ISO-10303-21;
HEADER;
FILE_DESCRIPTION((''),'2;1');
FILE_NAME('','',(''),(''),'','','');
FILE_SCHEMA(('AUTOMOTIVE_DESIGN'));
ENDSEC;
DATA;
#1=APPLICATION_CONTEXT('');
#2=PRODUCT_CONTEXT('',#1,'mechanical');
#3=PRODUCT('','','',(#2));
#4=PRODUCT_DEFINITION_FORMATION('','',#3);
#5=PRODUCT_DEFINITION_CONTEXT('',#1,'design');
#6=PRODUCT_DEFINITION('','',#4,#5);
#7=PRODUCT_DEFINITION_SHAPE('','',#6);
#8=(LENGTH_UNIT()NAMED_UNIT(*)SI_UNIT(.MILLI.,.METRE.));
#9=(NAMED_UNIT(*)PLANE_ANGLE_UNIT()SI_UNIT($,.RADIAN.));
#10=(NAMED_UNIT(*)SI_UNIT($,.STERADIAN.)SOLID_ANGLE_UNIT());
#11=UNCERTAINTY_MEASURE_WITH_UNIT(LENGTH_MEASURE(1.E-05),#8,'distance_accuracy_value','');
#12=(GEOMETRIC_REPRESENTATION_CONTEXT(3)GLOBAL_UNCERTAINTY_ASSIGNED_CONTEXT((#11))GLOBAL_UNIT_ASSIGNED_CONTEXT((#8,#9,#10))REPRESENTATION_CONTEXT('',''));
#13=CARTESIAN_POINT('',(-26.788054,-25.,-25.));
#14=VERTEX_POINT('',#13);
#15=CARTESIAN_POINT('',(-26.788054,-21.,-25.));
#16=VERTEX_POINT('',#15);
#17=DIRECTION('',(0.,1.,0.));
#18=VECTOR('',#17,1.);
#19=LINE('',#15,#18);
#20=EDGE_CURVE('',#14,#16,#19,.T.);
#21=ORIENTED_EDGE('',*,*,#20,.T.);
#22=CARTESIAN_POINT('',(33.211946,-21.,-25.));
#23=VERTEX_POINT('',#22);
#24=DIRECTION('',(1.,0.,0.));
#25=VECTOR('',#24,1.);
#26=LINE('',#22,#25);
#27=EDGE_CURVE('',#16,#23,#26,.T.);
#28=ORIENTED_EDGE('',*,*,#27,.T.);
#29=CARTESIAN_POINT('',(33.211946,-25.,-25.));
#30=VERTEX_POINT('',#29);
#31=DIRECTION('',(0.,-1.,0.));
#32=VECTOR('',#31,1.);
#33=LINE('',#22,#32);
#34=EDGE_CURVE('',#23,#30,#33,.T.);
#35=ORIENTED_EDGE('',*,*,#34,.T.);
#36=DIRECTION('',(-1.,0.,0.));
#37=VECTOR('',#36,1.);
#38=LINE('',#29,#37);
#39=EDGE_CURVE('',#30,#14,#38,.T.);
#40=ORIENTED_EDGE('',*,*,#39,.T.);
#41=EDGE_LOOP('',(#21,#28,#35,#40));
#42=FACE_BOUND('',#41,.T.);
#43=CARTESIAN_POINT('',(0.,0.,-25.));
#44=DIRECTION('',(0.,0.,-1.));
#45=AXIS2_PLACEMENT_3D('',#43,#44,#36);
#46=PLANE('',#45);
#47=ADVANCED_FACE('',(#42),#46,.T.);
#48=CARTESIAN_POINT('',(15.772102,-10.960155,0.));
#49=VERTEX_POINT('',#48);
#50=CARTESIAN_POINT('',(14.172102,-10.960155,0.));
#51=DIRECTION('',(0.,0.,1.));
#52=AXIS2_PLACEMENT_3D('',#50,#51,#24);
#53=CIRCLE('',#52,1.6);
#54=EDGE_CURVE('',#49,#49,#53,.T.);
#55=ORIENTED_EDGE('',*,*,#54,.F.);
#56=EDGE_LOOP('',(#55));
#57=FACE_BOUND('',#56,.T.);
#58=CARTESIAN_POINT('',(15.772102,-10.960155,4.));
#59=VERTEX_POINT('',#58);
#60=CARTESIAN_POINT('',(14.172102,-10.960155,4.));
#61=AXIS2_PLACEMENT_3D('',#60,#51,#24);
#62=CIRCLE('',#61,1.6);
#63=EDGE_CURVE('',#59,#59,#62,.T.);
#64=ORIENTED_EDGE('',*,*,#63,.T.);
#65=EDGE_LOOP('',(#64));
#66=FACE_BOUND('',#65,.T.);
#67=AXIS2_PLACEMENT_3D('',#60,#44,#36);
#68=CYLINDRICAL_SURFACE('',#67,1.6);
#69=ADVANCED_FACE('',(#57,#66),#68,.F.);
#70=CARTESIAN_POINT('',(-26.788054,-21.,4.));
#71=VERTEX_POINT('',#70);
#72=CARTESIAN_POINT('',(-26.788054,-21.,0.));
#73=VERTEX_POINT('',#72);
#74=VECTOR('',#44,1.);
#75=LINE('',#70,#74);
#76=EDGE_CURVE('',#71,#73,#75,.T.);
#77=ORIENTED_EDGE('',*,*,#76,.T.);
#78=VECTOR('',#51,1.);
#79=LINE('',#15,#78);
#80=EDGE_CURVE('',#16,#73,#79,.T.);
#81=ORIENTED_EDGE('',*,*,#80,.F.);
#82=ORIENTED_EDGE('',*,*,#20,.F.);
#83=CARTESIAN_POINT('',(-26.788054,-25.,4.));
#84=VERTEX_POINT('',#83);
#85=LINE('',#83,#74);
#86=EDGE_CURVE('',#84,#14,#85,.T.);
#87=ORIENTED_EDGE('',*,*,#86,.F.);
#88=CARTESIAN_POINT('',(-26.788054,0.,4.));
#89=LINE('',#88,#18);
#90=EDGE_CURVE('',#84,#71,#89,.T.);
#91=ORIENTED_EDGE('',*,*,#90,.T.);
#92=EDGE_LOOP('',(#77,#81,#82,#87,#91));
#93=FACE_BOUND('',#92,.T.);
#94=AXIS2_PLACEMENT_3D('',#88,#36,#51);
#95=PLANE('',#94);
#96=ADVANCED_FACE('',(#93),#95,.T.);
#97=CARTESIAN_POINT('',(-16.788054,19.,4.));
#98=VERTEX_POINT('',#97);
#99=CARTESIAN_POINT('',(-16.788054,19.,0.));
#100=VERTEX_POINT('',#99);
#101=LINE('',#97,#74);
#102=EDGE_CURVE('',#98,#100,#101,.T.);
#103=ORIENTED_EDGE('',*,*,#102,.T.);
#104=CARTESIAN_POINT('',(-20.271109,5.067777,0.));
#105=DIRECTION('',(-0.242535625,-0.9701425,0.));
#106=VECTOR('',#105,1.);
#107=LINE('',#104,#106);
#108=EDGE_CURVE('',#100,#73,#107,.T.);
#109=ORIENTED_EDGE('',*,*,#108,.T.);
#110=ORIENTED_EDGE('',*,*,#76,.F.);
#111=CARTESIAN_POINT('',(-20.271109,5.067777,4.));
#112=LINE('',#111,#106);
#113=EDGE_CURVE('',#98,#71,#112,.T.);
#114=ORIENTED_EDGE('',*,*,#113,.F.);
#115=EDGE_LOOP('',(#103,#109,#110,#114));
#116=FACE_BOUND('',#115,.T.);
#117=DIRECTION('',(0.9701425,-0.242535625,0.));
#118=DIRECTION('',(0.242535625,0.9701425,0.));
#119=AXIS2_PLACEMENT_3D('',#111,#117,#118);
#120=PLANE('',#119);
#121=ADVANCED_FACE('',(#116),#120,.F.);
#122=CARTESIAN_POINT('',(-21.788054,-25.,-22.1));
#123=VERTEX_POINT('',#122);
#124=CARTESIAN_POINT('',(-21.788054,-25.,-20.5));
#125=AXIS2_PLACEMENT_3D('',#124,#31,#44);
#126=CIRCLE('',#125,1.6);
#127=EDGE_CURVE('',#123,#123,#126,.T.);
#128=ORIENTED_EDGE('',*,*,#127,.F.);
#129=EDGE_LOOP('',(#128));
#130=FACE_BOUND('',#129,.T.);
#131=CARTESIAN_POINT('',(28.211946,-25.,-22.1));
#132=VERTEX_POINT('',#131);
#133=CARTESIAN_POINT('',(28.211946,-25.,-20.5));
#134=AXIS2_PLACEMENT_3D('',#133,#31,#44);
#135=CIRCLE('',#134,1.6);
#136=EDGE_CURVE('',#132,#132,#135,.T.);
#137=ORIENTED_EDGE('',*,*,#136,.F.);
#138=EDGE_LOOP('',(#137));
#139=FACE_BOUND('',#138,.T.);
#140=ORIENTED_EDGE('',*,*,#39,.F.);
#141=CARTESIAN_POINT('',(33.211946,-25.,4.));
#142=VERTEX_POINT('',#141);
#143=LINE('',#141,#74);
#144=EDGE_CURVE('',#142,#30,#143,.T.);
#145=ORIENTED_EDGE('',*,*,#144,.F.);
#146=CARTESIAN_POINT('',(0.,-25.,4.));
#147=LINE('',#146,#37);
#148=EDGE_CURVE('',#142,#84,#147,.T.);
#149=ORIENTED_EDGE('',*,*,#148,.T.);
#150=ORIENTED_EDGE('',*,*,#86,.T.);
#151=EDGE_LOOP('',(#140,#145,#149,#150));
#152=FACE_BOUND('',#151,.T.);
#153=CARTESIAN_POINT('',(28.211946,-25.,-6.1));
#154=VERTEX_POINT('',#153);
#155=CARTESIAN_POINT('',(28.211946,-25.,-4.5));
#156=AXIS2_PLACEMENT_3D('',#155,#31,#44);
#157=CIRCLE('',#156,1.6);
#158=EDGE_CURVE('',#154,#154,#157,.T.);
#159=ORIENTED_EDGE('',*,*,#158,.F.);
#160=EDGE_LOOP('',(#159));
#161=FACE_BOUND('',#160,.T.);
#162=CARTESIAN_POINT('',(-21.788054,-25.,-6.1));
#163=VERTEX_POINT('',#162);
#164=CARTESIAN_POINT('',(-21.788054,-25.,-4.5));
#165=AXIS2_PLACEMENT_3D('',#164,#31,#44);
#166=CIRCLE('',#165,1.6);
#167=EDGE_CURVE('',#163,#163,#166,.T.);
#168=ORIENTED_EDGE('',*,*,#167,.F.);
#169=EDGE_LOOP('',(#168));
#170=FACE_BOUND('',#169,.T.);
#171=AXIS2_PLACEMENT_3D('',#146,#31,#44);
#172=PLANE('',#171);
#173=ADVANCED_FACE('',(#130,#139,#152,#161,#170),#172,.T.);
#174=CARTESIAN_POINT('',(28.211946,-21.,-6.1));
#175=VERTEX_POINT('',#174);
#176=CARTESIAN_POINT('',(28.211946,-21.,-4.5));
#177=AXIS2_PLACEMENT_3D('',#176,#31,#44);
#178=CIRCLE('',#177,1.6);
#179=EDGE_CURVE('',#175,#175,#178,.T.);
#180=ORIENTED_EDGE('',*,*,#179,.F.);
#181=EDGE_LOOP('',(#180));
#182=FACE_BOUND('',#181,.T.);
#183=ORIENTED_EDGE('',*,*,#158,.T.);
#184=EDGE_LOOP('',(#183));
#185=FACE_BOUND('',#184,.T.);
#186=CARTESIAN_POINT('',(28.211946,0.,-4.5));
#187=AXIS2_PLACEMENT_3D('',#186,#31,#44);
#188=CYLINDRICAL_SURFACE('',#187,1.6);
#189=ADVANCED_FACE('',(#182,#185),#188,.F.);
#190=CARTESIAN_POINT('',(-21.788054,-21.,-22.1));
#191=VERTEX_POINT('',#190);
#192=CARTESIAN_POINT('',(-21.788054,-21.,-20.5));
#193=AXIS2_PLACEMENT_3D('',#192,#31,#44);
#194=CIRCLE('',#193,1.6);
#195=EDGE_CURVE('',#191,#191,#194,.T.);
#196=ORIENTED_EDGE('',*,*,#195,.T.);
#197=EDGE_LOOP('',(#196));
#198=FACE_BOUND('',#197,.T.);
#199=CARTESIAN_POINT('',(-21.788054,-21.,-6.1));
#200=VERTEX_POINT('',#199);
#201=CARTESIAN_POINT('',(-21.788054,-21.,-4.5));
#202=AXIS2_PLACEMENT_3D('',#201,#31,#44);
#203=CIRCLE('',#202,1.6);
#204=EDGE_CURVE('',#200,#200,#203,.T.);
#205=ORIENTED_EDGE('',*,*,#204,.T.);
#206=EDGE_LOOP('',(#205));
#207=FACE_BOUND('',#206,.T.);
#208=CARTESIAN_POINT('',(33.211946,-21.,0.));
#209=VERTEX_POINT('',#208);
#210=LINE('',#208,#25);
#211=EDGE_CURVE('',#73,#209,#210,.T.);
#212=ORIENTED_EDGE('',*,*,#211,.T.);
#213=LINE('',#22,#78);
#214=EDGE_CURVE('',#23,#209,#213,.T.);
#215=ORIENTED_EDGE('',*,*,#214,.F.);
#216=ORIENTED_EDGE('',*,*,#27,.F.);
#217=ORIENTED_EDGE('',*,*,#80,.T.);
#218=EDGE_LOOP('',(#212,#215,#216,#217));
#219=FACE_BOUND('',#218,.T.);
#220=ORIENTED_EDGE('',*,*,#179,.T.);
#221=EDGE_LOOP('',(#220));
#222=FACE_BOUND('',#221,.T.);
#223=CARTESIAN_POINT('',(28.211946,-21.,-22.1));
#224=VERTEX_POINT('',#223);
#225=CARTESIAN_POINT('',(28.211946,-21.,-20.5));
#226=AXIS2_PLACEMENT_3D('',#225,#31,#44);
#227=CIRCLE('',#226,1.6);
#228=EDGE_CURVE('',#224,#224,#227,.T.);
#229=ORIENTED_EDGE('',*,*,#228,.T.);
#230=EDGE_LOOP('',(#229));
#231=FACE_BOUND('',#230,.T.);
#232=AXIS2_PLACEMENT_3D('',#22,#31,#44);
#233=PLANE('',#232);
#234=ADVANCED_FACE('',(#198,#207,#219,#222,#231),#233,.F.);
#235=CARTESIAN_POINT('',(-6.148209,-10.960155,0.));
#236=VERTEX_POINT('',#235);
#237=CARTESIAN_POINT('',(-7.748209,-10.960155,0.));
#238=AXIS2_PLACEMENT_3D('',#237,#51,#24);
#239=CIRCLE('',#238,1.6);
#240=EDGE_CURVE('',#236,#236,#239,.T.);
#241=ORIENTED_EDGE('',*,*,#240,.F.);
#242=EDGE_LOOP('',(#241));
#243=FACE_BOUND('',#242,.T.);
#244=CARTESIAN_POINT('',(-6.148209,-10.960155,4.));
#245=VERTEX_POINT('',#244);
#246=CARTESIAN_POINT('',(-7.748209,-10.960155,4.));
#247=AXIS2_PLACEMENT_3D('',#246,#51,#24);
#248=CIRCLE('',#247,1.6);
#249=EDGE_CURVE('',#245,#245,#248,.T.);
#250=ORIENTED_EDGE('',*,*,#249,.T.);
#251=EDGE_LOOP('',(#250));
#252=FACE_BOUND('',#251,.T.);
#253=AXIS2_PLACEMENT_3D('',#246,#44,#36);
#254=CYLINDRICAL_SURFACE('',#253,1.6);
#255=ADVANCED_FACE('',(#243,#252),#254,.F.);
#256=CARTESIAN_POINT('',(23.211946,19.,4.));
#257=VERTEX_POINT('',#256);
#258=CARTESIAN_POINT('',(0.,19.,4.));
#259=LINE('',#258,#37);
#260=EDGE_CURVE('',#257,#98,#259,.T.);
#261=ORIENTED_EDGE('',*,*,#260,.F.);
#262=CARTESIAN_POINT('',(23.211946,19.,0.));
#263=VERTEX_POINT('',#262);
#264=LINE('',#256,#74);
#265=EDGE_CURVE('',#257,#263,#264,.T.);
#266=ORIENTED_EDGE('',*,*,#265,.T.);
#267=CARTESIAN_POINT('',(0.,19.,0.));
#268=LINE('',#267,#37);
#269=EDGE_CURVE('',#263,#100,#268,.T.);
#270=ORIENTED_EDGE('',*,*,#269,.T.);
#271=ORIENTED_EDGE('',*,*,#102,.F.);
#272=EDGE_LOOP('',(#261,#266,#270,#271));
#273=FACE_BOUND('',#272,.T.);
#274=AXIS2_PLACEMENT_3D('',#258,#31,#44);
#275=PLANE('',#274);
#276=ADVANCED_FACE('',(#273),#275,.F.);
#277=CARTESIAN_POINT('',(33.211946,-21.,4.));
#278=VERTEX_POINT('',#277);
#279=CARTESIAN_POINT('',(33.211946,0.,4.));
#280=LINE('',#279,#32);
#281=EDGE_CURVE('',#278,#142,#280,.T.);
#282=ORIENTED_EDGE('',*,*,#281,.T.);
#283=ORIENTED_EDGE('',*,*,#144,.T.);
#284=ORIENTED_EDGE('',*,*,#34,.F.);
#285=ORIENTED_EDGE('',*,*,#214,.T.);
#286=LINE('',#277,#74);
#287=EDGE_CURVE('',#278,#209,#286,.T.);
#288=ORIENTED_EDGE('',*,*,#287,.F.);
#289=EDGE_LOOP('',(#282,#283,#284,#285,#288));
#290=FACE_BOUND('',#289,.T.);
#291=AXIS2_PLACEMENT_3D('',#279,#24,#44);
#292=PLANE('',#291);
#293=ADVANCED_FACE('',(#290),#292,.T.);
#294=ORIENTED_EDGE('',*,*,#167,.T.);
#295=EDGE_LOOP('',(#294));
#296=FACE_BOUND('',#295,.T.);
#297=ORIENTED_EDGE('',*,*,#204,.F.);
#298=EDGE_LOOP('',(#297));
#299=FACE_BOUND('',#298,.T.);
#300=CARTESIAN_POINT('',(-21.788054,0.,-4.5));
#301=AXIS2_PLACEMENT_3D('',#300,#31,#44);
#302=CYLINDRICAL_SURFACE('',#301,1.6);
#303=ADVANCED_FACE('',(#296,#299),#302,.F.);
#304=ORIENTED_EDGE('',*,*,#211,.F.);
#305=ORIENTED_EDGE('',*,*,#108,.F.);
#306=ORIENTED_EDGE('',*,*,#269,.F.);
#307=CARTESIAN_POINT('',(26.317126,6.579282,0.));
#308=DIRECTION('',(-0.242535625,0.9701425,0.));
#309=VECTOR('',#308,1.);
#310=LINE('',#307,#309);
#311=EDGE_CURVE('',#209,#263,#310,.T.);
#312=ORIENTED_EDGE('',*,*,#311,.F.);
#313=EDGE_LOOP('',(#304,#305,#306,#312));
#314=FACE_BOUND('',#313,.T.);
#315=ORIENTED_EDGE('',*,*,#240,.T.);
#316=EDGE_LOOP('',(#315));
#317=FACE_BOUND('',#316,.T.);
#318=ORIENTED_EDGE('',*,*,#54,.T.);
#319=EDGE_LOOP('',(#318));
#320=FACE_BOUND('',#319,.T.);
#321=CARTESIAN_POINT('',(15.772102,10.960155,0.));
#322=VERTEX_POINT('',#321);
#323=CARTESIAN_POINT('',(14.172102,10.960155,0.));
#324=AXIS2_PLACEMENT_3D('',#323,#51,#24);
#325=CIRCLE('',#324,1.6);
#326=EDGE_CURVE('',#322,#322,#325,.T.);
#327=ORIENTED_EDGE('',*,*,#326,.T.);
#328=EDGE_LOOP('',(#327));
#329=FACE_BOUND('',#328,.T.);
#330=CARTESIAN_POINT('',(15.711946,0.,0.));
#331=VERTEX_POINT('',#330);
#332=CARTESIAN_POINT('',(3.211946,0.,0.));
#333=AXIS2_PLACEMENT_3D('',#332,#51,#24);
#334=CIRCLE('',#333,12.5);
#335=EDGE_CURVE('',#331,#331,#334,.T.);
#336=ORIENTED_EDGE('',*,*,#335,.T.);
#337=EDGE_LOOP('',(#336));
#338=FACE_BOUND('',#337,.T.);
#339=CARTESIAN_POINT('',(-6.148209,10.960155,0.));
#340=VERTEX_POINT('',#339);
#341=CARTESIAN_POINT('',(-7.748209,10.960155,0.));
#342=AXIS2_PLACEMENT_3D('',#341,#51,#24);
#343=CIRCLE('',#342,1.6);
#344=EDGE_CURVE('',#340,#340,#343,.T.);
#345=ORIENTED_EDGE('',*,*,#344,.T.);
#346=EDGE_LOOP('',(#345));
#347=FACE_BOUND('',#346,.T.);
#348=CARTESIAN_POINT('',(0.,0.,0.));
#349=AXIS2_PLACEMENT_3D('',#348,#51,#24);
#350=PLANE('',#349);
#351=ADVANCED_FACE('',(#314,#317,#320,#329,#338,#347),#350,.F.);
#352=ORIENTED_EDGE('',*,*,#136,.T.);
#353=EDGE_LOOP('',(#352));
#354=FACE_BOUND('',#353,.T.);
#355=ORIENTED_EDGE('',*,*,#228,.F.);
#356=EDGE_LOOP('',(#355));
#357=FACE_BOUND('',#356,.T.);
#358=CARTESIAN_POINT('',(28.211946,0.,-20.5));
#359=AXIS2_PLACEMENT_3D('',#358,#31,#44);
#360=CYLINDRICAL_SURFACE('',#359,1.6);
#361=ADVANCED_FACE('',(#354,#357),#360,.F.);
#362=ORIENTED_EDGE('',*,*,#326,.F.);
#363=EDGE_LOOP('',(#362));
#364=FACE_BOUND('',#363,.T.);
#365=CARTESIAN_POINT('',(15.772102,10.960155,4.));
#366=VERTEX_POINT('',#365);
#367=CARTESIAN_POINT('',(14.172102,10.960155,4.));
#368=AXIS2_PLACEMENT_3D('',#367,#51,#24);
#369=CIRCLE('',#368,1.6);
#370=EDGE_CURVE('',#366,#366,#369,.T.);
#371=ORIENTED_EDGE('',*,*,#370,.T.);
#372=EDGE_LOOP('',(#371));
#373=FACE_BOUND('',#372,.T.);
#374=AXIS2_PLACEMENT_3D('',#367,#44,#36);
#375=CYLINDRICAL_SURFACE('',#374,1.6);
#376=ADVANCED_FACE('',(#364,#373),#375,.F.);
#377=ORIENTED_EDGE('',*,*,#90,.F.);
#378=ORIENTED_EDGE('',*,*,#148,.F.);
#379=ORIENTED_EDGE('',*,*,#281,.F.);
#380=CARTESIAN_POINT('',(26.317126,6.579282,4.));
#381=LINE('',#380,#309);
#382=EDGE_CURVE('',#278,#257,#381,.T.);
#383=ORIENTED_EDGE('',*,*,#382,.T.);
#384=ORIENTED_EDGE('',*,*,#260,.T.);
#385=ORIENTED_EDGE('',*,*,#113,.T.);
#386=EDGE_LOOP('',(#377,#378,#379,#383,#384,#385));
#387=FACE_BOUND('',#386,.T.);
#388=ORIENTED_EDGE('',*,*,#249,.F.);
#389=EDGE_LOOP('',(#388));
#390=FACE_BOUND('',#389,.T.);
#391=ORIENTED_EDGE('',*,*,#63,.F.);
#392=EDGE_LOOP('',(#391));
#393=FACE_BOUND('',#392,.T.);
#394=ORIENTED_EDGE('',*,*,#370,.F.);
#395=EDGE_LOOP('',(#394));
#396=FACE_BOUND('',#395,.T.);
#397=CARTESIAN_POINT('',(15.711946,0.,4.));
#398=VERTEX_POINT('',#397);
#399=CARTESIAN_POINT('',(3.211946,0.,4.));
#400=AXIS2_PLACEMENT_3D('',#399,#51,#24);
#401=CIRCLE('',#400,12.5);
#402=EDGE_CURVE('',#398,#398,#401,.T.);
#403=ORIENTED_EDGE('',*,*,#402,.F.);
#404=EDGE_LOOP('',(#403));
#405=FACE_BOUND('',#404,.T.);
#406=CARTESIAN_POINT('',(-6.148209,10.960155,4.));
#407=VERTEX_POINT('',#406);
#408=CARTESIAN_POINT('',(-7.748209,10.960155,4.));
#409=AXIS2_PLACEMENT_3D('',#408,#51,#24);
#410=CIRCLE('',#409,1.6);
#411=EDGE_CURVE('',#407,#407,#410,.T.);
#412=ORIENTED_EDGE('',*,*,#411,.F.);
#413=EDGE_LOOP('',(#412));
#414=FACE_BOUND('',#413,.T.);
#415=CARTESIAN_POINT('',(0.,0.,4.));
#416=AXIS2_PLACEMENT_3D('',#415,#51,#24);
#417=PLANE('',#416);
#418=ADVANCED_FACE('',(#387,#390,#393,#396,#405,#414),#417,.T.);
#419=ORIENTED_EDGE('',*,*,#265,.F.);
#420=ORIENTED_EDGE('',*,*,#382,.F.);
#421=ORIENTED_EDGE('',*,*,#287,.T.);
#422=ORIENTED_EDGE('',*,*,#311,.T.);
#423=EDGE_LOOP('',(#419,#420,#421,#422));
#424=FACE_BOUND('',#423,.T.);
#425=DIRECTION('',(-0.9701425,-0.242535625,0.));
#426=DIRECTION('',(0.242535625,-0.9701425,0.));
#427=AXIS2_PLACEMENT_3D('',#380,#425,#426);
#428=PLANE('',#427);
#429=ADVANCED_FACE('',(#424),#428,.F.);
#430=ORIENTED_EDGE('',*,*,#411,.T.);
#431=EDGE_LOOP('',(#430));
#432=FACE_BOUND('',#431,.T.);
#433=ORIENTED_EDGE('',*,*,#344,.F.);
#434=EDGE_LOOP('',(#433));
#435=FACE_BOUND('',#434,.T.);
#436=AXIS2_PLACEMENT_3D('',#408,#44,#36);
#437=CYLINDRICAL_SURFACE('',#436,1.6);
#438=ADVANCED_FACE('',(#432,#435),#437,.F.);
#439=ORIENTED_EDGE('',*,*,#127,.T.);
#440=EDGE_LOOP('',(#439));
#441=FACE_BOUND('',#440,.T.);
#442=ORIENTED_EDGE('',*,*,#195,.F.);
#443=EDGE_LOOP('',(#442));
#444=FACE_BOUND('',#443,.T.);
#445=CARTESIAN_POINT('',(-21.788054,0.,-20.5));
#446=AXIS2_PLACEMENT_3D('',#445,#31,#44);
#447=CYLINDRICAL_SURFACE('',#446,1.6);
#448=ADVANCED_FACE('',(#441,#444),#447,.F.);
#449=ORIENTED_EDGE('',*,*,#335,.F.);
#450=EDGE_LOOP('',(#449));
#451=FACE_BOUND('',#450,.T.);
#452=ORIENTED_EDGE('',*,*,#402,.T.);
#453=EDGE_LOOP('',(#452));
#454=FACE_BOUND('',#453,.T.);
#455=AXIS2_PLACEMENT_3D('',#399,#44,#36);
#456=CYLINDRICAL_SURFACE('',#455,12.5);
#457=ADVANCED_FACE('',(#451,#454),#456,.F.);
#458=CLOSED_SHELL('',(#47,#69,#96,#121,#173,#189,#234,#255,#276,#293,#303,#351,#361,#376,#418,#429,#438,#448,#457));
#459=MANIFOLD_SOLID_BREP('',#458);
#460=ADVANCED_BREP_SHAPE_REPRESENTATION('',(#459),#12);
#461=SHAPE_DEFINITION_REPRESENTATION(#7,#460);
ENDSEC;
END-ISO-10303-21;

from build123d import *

# Parameters (mm, degrees)
SKETCH_2_R          = 1.6
SKETCH_2_R_2        = 12.5
SKETCH_2_W          = 60
SKETCH_2_H          = 4
EXTRUDE_1_DEPTH     = 4
SKETCH_3_W          = 60
SKETCH_3_H          = 4
EXTRUDE_2_DEPTH     = 25
SKETCH_4_R          = 1.6
CUT_EXTRUDE_1_DEPTH = 25


with BuildPart() as part:
    # 草图2 → 凸台-拉伸1 (new body)
    # profile 1 of 2: a face of its own
    with BuildSketch(Plane.XY):
        Polygon((23.211946481, 19), (-16.788053519, 19), (-26.788053519, -21), (33.211946481, -21), align=None)
        with Locations((14.172101589, -10.960155108)):
            Circle(SKETCH_2_R, mode=Mode.SUBTRACT)
        with Locations((-7.748208627, -10.960155108)):
            Circle(SKETCH_2_R, mode=Mode.SUBTRACT)
        with Locations((-7.748208627, 10.960155108)):
            Circle(SKETCH_2_R, mode=Mode.SUBTRACT)
        with Locations((3.211946481, 0)):
            Circle(SKETCH_2_R_2, mode=Mode.SUBTRACT)
        with Locations((14.172101589, 10.960155108)):
            Circle(SKETCH_2_R, mode=Mode.SUBTRACT)
    # profile 2 of 2: a face of its own
    with BuildSketch(Plane.XY):
        with Locations((3.211946481, -23)):
            Rectangle(SKETCH_2_W, SKETCH_2_H)
    extrude(amount=EXTRUDE_1_DEPTH)

    # 草图3 → 凸台-拉伸2 (add)
    with BuildSketch(Plane(origin=(0, 0, 0), x_dir=(-1, 0, 0), z_dir=(0, 0, -1))):
        with Locations((-3.211946481, -23)):
            Rectangle(SKETCH_3_W, SKETCH_3_H)
    extrude(amount=EXTRUDE_2_DEPTH)

    # 草图4 → 切除-拉伸1 (cut)
    with BuildSketch(Plane.XZ.offset(25)):
        with Locations(Location((-21.788053519, -4.5, 0), (0, 0, 270))):
            Circle(SKETCH_4_R)
        with Locations(Location((28.211946481, -4.5, 0), (0, 0, 270))):
            Circle(SKETCH_4_R)
        with Locations(Location((28.211946481, -20.5, 0), (0, 0, 270))):
            Circle(SKETCH_4_R)
        with Locations(Location((-21.788053519, -20.5, 0), (0, 0, 270))):
            Circle(SKETCH_4_R)
    extrude(amount=-CUT_EXTRUDE_1_DEPTH, mode=Mode.SUBTRACT)


solid = part.part
